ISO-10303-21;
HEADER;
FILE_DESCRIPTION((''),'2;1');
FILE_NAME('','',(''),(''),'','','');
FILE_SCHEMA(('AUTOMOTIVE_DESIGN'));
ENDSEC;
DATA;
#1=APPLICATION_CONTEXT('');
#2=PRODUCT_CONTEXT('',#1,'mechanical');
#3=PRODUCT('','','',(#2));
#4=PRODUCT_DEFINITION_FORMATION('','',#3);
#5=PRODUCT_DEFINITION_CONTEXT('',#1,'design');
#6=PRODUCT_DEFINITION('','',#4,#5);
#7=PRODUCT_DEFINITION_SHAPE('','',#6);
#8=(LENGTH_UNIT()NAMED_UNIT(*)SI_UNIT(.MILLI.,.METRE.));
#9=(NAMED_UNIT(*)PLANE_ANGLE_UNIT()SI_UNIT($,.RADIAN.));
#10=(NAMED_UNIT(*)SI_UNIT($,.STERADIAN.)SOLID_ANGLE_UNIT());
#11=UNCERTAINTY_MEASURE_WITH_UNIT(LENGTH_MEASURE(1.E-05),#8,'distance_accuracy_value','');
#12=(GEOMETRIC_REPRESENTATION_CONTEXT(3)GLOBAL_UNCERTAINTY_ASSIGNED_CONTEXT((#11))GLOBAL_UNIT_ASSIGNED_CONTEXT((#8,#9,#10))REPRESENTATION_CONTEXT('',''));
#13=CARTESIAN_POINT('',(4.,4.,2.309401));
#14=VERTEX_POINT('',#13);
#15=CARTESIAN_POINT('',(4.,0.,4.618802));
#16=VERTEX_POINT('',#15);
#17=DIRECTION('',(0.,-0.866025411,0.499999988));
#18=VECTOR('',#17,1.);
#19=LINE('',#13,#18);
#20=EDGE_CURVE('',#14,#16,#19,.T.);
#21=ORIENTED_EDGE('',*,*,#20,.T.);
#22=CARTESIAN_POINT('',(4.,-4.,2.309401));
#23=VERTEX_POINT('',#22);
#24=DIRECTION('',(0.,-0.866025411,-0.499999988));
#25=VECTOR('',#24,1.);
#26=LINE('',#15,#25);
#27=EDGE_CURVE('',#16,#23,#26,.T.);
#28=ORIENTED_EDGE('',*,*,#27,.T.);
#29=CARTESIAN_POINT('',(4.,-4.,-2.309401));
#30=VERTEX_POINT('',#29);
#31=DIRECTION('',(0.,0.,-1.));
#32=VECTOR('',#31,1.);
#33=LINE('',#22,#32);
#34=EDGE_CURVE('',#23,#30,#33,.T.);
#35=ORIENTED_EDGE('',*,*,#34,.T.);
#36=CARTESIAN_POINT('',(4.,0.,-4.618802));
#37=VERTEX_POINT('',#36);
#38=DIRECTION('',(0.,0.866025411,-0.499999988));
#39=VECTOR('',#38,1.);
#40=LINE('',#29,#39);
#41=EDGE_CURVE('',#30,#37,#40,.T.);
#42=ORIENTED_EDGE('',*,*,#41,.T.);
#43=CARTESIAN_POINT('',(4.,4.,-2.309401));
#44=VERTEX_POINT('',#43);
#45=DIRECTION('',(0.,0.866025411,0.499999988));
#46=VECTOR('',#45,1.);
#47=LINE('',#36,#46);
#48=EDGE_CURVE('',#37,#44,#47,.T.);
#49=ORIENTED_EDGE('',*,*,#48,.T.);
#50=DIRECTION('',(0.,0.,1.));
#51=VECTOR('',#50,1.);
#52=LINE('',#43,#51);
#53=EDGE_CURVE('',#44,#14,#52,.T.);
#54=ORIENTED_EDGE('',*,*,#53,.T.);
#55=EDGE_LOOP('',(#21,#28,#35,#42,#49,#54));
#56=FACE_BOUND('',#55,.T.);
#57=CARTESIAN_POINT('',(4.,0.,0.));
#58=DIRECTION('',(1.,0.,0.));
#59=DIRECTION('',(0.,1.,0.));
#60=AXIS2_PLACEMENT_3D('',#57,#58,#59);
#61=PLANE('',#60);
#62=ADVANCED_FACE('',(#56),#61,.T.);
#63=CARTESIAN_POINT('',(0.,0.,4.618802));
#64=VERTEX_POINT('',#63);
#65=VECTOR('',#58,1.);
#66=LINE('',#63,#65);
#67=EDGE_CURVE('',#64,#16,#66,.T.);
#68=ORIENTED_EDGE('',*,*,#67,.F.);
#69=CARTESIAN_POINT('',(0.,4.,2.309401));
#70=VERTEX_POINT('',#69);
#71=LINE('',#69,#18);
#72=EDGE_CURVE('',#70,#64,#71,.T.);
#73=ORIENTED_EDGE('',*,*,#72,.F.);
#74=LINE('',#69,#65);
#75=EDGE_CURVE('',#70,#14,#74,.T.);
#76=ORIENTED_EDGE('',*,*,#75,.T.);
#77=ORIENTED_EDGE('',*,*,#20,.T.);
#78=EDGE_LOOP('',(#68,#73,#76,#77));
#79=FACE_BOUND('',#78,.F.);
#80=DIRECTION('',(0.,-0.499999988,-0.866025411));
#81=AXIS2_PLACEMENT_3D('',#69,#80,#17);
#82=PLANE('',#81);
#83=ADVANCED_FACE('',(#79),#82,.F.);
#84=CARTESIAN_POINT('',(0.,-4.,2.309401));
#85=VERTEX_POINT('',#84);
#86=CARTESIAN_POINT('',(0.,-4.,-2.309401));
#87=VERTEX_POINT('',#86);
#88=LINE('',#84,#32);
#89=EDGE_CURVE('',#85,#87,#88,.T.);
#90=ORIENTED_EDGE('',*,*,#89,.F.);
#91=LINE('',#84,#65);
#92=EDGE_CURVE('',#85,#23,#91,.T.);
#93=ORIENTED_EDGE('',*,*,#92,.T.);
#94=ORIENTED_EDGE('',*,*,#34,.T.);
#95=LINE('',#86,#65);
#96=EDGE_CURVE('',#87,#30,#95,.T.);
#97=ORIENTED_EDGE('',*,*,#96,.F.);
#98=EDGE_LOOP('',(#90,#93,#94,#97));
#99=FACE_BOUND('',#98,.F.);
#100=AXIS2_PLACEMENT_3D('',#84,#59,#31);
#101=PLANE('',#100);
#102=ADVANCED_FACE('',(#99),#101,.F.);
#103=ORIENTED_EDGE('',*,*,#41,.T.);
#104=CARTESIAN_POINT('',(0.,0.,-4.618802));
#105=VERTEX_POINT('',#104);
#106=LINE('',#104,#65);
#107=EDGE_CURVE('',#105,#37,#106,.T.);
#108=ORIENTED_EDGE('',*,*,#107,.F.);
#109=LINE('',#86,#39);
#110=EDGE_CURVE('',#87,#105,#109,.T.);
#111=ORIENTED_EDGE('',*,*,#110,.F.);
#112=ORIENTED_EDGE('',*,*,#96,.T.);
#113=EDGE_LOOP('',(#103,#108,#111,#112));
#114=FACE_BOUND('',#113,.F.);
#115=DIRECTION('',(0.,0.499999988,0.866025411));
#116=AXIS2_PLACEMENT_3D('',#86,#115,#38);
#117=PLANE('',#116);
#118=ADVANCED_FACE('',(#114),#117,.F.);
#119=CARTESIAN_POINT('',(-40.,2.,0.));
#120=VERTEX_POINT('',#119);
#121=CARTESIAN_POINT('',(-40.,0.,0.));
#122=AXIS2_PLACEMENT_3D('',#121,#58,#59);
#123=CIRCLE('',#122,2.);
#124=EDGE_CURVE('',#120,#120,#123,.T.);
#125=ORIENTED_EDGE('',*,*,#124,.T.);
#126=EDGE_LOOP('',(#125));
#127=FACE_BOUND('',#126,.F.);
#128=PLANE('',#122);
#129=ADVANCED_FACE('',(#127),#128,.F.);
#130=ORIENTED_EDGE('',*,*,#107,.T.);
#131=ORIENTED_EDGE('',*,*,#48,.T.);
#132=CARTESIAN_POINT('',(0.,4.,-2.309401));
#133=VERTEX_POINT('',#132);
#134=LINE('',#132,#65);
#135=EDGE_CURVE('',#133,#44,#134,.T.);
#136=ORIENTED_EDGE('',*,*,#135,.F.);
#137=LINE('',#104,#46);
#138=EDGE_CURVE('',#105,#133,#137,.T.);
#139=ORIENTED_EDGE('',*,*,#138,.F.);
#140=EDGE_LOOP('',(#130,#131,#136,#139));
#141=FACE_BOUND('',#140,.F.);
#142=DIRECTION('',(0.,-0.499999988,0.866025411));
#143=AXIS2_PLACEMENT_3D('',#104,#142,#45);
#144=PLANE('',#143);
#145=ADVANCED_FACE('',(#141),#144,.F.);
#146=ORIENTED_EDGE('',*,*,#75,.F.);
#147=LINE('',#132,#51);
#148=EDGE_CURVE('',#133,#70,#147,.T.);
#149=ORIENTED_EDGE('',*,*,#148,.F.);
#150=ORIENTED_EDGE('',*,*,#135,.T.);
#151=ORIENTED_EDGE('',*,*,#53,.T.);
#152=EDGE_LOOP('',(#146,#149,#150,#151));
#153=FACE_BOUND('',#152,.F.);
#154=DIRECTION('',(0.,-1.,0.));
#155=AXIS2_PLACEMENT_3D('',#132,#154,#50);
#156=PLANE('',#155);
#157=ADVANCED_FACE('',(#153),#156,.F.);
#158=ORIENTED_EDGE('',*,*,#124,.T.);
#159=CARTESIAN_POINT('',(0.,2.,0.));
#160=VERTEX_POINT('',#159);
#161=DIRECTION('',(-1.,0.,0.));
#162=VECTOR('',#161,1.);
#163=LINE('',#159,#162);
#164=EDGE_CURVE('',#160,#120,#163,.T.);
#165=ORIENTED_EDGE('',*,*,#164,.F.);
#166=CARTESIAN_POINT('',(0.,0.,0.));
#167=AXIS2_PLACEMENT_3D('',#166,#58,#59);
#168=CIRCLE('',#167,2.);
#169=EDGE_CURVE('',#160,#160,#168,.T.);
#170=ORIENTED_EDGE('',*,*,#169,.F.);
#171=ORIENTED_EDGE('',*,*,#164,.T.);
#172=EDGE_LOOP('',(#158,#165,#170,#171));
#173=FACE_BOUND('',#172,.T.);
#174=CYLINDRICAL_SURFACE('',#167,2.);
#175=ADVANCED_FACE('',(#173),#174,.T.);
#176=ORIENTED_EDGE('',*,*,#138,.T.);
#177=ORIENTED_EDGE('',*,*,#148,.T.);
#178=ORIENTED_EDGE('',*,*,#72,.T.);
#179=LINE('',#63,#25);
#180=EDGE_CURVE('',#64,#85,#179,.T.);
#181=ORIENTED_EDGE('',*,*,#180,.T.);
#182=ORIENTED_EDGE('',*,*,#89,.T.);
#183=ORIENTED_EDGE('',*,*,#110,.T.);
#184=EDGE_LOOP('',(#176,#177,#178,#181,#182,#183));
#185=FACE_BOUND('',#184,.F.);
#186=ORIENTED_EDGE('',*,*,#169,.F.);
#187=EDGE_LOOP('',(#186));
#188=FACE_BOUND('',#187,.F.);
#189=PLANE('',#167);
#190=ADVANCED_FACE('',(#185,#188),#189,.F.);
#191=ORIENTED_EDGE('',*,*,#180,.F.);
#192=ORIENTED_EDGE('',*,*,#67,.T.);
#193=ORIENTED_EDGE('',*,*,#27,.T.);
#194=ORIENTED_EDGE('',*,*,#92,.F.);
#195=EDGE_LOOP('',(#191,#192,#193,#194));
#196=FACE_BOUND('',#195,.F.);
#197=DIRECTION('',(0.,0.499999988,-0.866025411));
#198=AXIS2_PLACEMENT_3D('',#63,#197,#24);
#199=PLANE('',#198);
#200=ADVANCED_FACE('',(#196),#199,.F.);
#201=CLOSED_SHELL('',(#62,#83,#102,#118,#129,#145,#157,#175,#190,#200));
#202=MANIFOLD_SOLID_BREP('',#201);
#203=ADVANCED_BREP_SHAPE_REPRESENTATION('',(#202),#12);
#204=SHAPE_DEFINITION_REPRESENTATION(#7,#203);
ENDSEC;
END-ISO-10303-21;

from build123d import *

# Parameters (mm, degrees)
F0_R     = 2
F1_DEPTH = 40
F3_DEPTH = 4


with BuildPart() as f1:
    # F0 (on Right) → F1 (new body)
    with BuildSketch(Plane.YZ):
        Circle(F0_R)
    extrude(amount=-F1_DEPTH)

    # F2 (on face) → F3 (join)
    with BuildSketch(Plane.YZ):
        Polygon((4, -2.309401), (4, 2.309401), (0, 4.618802), (-4, 2.309401), (-4, -2.309401), (0, -4.618802), align=None)
    extrude(amount=F3_DEPTH)


solid = f1.part
